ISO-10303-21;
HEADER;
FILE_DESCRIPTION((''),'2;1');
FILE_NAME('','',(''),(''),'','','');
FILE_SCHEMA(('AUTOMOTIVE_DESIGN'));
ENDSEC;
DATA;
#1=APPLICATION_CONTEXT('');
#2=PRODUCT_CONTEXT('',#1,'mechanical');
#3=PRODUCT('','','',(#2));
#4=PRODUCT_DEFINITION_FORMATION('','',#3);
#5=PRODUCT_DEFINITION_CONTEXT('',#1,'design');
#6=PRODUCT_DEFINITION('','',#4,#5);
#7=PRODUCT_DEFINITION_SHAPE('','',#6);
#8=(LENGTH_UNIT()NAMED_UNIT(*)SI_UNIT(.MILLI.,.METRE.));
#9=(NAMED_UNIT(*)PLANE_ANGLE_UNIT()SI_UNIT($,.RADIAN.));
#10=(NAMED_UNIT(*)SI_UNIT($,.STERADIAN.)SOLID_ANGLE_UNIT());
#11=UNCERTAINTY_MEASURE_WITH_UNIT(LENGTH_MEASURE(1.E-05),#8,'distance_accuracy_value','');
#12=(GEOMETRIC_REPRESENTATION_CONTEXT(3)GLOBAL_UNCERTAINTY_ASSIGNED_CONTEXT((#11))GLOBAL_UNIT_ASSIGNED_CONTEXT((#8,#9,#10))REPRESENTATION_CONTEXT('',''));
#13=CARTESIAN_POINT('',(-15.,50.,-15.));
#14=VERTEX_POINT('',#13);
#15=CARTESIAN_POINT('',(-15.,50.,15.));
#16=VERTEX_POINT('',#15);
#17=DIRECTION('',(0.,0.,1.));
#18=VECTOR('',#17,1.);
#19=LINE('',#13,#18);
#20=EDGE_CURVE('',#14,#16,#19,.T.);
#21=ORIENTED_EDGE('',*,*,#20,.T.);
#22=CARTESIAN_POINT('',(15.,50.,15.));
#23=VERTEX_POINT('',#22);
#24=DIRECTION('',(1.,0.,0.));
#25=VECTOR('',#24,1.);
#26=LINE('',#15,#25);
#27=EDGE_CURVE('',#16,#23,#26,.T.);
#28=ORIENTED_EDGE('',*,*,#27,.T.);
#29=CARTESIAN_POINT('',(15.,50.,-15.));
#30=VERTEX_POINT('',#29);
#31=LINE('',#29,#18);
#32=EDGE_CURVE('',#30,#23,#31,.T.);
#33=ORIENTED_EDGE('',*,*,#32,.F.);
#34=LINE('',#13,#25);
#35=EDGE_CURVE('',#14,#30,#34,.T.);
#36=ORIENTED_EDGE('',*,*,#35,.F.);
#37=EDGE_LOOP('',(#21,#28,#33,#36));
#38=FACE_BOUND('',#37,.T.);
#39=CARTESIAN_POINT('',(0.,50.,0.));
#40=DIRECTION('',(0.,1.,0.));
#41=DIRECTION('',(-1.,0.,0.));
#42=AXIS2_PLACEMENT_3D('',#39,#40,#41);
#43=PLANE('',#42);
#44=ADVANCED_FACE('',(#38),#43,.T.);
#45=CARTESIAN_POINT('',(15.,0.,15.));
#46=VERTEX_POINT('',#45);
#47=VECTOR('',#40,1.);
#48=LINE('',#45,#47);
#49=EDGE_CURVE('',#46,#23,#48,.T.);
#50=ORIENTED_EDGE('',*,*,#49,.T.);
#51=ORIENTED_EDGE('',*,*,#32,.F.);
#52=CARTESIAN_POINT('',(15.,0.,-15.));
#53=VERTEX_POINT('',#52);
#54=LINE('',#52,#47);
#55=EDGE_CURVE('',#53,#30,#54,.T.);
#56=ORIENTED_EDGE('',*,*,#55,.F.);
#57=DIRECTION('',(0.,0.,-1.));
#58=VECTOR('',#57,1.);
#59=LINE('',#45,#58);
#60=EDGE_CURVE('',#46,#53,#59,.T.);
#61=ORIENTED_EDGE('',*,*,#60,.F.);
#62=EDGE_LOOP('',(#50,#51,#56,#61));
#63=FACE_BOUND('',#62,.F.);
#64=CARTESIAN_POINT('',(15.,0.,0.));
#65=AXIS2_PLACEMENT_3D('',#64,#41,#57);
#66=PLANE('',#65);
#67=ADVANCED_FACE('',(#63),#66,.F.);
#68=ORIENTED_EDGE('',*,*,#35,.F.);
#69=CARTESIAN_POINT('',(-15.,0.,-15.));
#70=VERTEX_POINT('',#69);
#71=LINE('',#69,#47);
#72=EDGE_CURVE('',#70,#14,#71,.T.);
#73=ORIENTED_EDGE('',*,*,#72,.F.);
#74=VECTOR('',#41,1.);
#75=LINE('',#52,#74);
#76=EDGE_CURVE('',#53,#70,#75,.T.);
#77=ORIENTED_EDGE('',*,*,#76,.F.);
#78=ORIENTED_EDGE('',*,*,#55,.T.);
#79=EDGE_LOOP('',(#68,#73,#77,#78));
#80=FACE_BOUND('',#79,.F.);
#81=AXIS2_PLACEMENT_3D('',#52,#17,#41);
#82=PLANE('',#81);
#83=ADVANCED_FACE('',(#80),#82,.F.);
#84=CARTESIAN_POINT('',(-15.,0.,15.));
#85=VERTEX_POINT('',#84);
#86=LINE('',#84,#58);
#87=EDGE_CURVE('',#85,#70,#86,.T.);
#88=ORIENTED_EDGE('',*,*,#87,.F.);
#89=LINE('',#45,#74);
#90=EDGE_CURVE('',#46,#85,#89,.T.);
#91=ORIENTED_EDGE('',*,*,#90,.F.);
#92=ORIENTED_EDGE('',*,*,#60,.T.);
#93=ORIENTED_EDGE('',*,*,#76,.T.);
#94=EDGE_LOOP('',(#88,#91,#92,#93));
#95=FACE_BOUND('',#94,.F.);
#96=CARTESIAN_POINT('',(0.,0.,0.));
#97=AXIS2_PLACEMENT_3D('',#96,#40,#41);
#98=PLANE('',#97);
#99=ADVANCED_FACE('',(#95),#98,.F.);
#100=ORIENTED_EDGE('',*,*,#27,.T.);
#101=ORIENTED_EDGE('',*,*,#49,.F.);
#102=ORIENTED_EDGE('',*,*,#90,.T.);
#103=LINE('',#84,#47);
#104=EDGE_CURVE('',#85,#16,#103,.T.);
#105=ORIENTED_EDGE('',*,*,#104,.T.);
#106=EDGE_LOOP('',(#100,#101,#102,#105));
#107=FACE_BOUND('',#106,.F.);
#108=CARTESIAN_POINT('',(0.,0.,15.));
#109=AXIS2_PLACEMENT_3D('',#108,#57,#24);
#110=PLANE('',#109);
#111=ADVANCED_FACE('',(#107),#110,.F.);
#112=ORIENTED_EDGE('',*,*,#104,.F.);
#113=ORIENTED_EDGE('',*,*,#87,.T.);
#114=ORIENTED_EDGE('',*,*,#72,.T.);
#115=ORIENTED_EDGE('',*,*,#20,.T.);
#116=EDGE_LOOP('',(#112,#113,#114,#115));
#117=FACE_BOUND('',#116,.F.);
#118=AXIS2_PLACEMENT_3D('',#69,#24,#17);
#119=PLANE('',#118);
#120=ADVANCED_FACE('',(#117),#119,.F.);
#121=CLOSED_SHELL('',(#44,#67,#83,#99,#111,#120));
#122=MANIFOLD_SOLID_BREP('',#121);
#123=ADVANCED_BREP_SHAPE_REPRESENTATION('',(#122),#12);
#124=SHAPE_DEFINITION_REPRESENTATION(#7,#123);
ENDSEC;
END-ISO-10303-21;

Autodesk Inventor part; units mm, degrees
ref_plane "YZ Plane" through (0, 0, 0) normal (1, 0, 0) x (0, 1, 0)
ref_plane "XZ Plane" through (0, 0, 0) normal (0, 1, 0) x (-1, 0, 0)
ref_plane "XY Plane" through (0, 0, 0) normal (0, 0, 1) x (1, 0, 0)
sketch "Sketch1" plane through (0, 0, 0) normal (0, 1, 0) x (-1, 0, 0)
  line L0 (0, -21) -> (0, 21) projected
  line L1 (-21, 0) -> (21, 0) projected
  line L2 (15, 15) -> (-15, 15)
  line L3 (-15, 15) -> (-15, -15)
  line L4 (-15, -15) -> (15, -15)
  line L5 (15, -15) -> (15, 15)
  point P0 (0, 0)
  dimension "d0" = 30
  dimension "d1" = 30
extrude "Extrusion1" add sketch "Sketch1" along normal blind 50
equation "\"d1\" = d0"
properties part number "DISTANCE_BRICK_SIDE" material "Wood (Birch)"
